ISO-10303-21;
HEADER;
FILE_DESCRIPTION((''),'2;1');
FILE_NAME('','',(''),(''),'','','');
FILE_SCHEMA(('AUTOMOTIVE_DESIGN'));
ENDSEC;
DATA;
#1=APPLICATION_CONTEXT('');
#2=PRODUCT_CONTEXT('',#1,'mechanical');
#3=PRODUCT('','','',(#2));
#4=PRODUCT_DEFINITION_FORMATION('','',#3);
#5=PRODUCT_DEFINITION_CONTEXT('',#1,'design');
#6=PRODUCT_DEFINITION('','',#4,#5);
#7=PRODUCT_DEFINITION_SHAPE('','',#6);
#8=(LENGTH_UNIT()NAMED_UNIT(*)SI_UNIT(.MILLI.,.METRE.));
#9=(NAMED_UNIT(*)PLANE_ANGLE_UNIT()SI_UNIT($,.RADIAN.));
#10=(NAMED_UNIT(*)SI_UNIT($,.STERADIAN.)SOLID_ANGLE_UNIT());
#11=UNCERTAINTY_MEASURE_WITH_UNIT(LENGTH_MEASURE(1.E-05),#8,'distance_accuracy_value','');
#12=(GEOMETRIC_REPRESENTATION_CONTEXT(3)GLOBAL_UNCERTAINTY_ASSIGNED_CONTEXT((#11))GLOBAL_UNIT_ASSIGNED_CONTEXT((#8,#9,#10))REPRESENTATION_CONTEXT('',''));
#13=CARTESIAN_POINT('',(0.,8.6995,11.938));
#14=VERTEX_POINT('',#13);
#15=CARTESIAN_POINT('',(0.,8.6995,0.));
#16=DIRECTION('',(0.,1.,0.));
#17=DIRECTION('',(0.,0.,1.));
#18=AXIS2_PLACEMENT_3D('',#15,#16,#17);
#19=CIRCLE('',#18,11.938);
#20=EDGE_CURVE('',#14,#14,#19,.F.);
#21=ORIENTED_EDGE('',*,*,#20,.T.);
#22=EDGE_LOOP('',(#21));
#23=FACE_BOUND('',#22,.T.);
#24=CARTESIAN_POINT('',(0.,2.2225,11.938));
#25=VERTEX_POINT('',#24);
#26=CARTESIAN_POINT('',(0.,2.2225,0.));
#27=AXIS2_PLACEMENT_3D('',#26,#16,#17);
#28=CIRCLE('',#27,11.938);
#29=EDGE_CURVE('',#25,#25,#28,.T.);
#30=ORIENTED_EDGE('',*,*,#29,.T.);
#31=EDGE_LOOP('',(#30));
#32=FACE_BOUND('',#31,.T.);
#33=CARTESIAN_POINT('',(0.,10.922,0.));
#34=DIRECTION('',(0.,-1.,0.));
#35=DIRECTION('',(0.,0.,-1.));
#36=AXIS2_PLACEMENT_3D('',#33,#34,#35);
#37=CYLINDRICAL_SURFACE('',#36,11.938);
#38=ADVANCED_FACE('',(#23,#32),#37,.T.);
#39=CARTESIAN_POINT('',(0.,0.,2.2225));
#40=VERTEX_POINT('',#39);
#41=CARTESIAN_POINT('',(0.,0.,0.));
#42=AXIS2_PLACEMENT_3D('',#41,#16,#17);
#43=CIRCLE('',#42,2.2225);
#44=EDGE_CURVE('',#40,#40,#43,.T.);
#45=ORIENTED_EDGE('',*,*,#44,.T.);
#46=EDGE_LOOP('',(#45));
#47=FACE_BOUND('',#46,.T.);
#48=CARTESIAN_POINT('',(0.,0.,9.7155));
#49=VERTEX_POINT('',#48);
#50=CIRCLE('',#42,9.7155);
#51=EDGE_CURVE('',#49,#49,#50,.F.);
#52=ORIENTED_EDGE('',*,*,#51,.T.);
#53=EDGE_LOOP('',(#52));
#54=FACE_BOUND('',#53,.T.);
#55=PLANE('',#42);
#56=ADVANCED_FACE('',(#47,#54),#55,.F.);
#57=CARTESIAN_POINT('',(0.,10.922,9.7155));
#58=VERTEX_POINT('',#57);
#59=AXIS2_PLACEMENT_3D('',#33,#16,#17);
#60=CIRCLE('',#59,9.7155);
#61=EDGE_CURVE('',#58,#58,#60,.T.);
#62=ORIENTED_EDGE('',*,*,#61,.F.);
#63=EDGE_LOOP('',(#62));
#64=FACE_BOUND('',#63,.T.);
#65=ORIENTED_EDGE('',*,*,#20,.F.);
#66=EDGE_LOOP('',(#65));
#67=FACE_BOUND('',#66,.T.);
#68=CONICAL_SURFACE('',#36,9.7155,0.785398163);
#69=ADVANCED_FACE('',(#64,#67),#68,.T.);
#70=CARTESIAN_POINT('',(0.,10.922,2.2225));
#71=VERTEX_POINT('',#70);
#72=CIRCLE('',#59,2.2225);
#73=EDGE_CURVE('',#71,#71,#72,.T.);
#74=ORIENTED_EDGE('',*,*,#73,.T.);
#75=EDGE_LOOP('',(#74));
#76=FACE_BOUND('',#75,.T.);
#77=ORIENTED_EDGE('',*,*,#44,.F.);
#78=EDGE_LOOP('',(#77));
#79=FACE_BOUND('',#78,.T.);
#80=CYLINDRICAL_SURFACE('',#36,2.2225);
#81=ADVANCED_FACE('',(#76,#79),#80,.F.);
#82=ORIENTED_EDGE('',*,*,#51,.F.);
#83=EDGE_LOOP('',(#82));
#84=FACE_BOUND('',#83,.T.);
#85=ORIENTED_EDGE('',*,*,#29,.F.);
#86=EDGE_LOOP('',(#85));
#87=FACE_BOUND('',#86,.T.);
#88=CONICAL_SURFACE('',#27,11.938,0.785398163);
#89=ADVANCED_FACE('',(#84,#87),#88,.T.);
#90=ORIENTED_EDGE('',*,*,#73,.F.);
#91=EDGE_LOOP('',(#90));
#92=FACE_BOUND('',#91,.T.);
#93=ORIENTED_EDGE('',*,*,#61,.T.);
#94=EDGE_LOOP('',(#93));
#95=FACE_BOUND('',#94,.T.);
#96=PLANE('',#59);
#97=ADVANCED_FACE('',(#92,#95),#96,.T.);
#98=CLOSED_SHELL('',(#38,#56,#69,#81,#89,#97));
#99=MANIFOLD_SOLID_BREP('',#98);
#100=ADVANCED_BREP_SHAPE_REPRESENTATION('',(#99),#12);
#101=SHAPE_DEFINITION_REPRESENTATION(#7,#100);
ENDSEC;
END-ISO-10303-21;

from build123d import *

# Parameters (mm, degrees)
SKETCH1_R           = 11.938
SKETCH1_R_2         = 2.2225
BOSS_EXTRUDE1_DEPTH = 10.922
CHAMFER1_SIZE       = 2.2225


with BuildPart() as part:
    # Sketch1 → Boss-Extrude1 (new body)
    with BuildSketch(Plane(origin=(0, 0, 0), x_dir=(1, 0, 0), z_dir=(0, 1, 0))):
        Circle(SKETCH1_R)
        Circle(SKETCH1_R_2, mode=Mode.SUBTRACT)
    extrude(amount=BOSS_EXTRUDE1_DEPTH)

    # Chamfer1
    chamfer1_edges = [part.edges().sort_by_distance(p)[0] for p in [
        (-11.938, 0, 0),
        (-11.938, 10.922, 0),
    ]]
    chamfer(chamfer1_edges, length=CHAMFER1_SIZE)


solid = part.part
